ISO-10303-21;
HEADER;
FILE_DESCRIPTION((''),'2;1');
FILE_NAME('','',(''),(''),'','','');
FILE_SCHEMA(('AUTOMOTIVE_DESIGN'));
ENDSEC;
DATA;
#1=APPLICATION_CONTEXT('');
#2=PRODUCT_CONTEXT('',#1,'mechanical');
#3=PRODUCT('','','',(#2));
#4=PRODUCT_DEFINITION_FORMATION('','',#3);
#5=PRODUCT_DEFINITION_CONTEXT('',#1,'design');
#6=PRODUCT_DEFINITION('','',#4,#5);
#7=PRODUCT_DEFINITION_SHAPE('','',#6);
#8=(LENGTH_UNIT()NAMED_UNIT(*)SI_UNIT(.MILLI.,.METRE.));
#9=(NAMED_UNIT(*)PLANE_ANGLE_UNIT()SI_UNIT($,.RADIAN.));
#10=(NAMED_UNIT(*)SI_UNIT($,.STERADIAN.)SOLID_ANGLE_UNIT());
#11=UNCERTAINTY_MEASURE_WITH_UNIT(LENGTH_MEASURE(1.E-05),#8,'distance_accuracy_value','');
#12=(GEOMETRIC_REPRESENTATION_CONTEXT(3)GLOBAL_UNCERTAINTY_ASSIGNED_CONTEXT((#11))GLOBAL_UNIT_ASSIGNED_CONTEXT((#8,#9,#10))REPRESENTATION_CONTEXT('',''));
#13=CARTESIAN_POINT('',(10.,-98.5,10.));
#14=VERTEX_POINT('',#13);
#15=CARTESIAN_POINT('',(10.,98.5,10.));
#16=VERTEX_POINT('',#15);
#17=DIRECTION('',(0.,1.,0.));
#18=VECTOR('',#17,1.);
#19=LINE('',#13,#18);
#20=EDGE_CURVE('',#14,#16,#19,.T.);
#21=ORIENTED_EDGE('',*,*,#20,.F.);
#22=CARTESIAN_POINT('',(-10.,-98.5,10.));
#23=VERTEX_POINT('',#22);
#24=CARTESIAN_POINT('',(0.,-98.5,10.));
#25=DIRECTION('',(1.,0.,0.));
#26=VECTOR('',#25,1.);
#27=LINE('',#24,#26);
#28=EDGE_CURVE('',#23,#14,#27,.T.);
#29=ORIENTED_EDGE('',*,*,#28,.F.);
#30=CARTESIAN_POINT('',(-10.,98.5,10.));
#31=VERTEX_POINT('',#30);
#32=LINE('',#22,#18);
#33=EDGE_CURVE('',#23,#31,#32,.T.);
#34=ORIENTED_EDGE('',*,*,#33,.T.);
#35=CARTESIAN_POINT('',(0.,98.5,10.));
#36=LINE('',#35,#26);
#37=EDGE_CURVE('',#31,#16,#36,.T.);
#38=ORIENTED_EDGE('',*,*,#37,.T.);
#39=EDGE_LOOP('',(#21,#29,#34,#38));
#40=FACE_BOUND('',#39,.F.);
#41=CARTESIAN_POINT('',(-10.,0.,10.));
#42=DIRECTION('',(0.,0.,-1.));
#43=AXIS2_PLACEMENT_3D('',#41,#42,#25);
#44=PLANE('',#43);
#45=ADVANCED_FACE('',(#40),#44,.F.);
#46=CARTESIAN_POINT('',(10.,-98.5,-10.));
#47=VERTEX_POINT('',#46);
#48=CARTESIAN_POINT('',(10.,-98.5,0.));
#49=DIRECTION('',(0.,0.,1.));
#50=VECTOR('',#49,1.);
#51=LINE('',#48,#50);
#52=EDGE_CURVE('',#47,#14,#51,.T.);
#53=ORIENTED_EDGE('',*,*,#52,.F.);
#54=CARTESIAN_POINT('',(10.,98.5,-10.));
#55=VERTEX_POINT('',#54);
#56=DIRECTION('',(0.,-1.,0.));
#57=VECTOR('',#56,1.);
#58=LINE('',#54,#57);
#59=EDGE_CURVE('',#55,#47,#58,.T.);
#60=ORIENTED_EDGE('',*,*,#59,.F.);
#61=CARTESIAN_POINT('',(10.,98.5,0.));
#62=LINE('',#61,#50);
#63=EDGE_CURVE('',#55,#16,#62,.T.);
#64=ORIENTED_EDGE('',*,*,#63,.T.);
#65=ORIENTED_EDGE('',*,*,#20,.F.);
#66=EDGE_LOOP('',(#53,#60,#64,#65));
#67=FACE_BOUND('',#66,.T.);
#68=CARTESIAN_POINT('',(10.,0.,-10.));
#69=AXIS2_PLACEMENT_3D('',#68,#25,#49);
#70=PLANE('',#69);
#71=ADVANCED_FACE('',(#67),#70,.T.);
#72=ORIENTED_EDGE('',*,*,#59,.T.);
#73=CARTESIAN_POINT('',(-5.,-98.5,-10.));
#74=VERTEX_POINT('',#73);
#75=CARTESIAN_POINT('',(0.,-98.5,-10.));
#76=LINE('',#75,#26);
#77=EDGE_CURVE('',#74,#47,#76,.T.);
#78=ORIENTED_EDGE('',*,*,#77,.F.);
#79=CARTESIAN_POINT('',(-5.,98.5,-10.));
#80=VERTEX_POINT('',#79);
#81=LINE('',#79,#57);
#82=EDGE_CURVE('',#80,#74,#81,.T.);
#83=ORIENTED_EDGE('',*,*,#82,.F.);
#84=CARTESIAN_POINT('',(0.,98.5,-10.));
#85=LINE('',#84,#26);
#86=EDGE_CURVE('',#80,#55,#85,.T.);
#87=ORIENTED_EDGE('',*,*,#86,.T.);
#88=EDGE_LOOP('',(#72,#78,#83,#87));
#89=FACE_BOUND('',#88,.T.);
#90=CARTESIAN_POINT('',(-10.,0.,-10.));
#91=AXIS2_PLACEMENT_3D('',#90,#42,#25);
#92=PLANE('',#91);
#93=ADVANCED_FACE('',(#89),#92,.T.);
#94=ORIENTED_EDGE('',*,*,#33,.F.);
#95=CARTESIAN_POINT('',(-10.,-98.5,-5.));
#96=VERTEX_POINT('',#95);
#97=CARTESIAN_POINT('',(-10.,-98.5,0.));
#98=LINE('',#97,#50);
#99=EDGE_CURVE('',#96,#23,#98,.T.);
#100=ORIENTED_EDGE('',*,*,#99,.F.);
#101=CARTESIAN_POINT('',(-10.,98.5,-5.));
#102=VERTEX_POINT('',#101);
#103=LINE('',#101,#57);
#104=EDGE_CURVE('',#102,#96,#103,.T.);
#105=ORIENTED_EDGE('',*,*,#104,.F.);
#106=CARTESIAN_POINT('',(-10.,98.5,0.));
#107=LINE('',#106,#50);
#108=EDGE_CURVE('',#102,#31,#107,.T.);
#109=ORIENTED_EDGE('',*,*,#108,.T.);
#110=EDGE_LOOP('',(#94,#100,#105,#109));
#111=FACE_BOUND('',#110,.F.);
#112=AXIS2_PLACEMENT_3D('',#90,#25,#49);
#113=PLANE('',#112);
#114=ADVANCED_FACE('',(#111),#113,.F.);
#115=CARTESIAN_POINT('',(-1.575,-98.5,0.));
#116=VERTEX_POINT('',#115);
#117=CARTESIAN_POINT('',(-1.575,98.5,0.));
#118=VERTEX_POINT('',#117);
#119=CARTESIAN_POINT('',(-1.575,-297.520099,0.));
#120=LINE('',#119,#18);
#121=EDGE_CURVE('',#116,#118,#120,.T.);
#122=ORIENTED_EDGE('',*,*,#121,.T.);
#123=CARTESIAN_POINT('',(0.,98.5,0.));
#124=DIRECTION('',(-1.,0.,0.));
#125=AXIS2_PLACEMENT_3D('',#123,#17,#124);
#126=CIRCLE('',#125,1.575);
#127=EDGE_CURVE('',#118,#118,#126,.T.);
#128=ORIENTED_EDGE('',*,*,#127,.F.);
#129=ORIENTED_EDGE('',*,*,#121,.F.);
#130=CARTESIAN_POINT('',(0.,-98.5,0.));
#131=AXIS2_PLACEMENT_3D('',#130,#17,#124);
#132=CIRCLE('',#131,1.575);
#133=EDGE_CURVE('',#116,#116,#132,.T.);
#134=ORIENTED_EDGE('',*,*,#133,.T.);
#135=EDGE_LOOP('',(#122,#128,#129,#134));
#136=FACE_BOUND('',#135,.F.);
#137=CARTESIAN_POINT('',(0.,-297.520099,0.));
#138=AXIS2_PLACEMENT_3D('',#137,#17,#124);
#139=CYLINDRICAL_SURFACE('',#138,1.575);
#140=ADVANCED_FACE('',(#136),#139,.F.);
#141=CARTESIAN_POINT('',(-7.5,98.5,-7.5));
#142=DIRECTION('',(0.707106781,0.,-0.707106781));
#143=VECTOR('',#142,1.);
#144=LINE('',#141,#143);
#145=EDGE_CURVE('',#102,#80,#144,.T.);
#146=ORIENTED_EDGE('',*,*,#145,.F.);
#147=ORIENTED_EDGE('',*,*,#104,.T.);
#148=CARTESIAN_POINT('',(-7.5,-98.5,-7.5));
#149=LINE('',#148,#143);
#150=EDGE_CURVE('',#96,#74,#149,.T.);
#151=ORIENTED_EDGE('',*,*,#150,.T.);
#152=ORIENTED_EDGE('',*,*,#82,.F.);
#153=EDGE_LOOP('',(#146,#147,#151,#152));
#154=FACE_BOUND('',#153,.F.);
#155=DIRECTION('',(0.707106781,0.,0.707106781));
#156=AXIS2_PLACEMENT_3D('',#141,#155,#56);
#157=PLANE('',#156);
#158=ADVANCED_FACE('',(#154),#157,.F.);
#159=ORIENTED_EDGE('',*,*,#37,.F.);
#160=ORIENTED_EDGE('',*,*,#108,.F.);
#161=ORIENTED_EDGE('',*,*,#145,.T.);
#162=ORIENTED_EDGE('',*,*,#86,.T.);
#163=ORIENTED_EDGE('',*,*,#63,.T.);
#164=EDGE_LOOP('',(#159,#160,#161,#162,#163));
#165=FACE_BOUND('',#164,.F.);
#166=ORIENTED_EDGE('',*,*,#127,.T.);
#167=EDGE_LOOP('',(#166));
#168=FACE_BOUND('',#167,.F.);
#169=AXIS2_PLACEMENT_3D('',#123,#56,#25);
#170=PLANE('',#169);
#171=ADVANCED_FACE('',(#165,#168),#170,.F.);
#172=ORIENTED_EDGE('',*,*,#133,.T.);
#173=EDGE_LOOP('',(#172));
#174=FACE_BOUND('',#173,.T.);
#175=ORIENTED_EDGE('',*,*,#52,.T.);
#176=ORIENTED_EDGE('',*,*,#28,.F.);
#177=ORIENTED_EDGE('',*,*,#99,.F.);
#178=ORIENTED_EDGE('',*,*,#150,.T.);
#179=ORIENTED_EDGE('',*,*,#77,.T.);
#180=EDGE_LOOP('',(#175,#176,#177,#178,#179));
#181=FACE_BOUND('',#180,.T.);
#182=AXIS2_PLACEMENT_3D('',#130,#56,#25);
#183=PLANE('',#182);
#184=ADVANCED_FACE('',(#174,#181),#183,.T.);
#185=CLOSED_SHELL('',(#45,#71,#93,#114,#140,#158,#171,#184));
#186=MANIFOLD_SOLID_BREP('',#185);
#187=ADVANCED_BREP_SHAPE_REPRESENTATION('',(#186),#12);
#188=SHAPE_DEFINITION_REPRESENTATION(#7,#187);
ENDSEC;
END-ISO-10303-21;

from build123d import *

# Parameters (mm, degrees)
F0_W          = 20
F0_H          = 20
F1_DEPTH      = 98.5
F1_DEPTH_BACK = 98.5
F2_SIZE       = 5
F4_D          = 3.15


with BuildPart() as f1:
    # F0 (on Front) → F1 (new body, two sides)
    with BuildSketch(Plane.XZ) as f1_sk:
        Rectangle(F0_W, F0_H)
    extrude(amount=F1_DEPTH)
    extrude(f1_sk.sketch, amount=-F1_DEPTH_BACK)

    # F2
    f2_edges = [f1.edges().sort_by_distance(p)[0] for p in [
        (-10, 0, -10),
    ]]
    chamfer(f2_edges, length=F2_SIZE)

    # F4 (through all)
    with Locations(Plane.XZ.offset(98.5)):
        with Locations((0, 0)):
            Hole(F4_D / 2)


solid = f1.part
